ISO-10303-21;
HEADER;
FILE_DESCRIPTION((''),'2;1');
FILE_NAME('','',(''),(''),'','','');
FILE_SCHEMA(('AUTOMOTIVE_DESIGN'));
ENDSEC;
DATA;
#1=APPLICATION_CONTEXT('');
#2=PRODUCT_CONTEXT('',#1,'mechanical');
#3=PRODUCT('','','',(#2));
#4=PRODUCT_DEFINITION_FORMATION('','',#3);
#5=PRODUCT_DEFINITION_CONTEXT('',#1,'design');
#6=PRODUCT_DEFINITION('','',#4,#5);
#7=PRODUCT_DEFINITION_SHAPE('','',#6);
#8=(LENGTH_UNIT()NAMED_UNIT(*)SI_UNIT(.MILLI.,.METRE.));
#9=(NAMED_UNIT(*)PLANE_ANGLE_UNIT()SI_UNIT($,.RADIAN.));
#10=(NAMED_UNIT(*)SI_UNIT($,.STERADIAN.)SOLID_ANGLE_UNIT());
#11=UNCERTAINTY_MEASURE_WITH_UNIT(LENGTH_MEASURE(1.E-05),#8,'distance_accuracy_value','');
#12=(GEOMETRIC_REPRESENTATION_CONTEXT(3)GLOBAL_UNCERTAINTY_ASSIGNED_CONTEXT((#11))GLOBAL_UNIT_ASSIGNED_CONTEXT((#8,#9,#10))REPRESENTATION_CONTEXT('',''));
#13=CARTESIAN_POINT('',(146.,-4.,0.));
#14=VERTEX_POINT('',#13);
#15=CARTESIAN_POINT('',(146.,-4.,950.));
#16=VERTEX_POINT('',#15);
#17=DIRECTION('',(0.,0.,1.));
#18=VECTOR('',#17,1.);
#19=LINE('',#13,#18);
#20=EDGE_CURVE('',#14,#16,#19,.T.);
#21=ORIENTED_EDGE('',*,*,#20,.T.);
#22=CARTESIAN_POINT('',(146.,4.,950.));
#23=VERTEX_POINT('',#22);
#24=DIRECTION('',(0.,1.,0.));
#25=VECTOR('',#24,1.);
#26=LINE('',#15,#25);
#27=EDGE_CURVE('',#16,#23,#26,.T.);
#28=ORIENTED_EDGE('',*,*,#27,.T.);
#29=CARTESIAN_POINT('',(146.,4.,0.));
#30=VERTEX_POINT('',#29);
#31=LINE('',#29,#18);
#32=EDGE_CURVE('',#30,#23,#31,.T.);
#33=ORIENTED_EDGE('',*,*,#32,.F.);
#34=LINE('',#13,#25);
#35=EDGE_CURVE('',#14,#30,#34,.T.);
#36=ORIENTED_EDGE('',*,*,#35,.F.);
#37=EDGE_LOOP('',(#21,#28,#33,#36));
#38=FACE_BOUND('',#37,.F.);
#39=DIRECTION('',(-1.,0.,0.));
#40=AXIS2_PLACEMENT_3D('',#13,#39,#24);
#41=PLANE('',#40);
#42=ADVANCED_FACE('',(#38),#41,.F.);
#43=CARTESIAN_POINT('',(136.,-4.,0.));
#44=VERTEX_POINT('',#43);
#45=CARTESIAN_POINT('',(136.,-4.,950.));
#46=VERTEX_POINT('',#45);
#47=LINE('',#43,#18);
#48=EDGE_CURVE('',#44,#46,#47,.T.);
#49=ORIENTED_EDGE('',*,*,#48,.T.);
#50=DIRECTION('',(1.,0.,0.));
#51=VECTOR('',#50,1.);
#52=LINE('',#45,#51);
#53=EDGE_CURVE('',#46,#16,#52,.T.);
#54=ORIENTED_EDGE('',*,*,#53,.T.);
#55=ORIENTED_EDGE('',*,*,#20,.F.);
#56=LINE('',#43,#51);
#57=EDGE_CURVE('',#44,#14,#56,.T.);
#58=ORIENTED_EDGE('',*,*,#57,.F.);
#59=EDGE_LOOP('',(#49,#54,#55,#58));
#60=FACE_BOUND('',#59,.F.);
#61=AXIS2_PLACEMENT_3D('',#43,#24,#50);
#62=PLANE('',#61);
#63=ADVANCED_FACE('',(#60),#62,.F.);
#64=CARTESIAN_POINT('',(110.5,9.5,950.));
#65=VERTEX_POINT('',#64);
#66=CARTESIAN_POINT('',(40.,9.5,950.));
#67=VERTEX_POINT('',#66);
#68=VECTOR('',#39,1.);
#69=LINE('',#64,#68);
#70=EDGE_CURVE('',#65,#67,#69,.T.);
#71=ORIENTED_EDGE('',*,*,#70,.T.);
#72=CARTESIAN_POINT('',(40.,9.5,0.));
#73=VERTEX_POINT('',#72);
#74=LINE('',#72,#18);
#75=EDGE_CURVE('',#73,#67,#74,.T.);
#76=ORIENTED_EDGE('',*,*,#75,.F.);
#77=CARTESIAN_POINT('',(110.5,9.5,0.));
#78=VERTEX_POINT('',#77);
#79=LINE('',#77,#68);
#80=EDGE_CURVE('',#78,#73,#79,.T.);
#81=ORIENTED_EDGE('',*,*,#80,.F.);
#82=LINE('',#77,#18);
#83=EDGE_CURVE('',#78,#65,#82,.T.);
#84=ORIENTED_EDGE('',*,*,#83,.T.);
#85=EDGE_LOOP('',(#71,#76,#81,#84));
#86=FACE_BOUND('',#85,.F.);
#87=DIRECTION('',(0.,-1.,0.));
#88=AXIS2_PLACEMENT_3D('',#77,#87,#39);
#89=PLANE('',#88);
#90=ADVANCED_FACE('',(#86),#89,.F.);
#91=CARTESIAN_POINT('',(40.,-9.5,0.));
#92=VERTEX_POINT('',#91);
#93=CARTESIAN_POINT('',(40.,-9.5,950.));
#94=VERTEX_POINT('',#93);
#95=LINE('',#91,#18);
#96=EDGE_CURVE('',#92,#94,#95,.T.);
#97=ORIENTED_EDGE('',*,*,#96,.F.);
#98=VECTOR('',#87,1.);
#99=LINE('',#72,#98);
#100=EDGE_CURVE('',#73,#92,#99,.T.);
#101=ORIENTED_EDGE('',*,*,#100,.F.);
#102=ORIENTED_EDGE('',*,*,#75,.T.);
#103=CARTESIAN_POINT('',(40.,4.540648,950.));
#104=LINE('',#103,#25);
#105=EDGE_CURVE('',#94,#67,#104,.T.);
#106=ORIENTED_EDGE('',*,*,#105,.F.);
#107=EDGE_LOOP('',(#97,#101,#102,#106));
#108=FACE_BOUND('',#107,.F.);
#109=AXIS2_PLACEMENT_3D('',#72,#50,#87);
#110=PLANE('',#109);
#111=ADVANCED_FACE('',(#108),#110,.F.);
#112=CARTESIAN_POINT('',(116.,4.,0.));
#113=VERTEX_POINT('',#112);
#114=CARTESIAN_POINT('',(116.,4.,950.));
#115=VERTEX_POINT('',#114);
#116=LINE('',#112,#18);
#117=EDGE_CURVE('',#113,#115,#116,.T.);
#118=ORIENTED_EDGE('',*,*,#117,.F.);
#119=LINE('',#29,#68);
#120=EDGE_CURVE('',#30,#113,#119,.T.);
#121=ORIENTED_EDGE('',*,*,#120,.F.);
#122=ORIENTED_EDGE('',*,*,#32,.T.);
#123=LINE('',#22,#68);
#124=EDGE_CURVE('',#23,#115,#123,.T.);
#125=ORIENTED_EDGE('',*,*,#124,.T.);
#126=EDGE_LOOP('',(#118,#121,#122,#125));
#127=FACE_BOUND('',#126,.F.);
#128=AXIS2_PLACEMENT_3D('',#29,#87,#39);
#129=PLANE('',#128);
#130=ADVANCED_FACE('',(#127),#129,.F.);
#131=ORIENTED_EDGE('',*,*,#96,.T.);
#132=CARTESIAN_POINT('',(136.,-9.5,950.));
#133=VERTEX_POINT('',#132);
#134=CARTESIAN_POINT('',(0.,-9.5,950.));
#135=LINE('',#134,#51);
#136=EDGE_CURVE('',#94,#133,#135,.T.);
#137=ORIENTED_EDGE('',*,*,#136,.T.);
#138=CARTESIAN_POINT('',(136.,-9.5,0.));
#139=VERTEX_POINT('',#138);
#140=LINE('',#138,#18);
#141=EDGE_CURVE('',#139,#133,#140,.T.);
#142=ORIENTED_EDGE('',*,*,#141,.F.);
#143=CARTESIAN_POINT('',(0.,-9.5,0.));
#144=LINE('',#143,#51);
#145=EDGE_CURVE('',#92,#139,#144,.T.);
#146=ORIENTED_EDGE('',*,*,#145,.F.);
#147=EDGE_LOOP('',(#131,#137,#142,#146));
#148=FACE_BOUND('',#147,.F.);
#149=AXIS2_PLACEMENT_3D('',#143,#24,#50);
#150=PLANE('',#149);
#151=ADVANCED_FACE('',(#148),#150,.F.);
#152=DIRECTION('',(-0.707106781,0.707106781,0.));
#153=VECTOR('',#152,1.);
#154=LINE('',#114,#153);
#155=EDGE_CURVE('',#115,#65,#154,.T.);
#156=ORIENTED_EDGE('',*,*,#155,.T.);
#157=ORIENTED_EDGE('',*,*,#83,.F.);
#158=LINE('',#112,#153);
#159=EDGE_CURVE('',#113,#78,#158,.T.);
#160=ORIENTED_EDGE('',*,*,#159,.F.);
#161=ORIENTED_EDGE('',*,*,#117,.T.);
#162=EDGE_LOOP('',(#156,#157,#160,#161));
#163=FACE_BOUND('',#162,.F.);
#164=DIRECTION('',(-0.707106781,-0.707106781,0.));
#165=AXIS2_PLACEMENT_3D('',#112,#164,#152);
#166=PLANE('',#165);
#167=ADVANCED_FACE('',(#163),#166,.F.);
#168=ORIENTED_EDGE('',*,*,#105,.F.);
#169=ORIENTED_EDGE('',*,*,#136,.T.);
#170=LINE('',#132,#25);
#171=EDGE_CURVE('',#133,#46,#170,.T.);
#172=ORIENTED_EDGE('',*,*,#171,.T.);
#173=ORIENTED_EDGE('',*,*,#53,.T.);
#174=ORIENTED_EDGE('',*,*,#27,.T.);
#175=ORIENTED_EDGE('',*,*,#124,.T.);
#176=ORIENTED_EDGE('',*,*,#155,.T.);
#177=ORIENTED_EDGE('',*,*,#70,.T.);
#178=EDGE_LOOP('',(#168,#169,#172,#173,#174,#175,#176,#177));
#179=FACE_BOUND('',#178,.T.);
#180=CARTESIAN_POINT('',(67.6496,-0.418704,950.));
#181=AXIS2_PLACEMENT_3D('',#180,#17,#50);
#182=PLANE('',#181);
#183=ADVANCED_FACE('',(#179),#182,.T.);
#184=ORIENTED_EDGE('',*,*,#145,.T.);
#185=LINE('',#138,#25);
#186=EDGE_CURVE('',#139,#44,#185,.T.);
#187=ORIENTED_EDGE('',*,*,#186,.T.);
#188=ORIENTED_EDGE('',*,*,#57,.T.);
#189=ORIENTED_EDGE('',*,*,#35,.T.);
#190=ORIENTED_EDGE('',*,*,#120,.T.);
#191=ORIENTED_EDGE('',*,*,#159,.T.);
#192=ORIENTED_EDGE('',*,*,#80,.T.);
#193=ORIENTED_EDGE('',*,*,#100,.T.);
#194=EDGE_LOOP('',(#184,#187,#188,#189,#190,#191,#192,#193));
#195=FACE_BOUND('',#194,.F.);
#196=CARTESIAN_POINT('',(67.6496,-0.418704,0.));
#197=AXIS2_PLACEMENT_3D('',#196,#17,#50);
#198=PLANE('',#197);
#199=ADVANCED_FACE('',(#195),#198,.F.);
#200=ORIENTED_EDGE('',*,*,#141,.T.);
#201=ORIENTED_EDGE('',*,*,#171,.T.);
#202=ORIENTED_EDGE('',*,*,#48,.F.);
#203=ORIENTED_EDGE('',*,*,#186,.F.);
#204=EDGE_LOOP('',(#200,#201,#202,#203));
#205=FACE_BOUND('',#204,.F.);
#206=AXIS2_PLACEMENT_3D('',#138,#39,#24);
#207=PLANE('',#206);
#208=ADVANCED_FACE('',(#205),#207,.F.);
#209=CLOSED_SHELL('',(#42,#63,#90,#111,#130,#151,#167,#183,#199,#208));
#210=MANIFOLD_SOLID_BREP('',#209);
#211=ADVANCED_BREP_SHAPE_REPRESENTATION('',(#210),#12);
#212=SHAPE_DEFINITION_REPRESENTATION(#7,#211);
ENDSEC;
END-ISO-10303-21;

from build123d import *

# Parameters (mm, degrees)
F1_DEPTH = 950
F2_W     = 12
F2_H     = 8
F3_DEPTH = 950.001


with BuildPart() as f1:
    # F0 (on Top) → F1 (new body)
    with BuildSketch(Plane.XY):
        Polygon((0, -4), (0, -9.5), (136, -9.5), (136, -4), (146, -4), (146, 4), (116, 4), (110.5, 9.5), (0, 9.5), (0, 4), (12, 4), (12, -4), align=None)
    extrude(amount=F1_DEPTH)

    # F2 (on face) → F3 (cut, through all)
    with BuildSketch(Plane(origin=(0, 0, 0), x_dir=(1, 0, 0), z_dir=(0, 0, -1))):
        Polygon((0, -9.5), (40, -9.5), (40, 9.5), (0, 9.5), (0, 4), (12, 4), (12, -4), (0, -4), align=None)
        with Locations((6, 0)):
            Rectangle(F2_W, F2_H)
    extrude(amount=-F3_DEPTH, mode=Mode.SUBTRACT)


solid = f1.part
